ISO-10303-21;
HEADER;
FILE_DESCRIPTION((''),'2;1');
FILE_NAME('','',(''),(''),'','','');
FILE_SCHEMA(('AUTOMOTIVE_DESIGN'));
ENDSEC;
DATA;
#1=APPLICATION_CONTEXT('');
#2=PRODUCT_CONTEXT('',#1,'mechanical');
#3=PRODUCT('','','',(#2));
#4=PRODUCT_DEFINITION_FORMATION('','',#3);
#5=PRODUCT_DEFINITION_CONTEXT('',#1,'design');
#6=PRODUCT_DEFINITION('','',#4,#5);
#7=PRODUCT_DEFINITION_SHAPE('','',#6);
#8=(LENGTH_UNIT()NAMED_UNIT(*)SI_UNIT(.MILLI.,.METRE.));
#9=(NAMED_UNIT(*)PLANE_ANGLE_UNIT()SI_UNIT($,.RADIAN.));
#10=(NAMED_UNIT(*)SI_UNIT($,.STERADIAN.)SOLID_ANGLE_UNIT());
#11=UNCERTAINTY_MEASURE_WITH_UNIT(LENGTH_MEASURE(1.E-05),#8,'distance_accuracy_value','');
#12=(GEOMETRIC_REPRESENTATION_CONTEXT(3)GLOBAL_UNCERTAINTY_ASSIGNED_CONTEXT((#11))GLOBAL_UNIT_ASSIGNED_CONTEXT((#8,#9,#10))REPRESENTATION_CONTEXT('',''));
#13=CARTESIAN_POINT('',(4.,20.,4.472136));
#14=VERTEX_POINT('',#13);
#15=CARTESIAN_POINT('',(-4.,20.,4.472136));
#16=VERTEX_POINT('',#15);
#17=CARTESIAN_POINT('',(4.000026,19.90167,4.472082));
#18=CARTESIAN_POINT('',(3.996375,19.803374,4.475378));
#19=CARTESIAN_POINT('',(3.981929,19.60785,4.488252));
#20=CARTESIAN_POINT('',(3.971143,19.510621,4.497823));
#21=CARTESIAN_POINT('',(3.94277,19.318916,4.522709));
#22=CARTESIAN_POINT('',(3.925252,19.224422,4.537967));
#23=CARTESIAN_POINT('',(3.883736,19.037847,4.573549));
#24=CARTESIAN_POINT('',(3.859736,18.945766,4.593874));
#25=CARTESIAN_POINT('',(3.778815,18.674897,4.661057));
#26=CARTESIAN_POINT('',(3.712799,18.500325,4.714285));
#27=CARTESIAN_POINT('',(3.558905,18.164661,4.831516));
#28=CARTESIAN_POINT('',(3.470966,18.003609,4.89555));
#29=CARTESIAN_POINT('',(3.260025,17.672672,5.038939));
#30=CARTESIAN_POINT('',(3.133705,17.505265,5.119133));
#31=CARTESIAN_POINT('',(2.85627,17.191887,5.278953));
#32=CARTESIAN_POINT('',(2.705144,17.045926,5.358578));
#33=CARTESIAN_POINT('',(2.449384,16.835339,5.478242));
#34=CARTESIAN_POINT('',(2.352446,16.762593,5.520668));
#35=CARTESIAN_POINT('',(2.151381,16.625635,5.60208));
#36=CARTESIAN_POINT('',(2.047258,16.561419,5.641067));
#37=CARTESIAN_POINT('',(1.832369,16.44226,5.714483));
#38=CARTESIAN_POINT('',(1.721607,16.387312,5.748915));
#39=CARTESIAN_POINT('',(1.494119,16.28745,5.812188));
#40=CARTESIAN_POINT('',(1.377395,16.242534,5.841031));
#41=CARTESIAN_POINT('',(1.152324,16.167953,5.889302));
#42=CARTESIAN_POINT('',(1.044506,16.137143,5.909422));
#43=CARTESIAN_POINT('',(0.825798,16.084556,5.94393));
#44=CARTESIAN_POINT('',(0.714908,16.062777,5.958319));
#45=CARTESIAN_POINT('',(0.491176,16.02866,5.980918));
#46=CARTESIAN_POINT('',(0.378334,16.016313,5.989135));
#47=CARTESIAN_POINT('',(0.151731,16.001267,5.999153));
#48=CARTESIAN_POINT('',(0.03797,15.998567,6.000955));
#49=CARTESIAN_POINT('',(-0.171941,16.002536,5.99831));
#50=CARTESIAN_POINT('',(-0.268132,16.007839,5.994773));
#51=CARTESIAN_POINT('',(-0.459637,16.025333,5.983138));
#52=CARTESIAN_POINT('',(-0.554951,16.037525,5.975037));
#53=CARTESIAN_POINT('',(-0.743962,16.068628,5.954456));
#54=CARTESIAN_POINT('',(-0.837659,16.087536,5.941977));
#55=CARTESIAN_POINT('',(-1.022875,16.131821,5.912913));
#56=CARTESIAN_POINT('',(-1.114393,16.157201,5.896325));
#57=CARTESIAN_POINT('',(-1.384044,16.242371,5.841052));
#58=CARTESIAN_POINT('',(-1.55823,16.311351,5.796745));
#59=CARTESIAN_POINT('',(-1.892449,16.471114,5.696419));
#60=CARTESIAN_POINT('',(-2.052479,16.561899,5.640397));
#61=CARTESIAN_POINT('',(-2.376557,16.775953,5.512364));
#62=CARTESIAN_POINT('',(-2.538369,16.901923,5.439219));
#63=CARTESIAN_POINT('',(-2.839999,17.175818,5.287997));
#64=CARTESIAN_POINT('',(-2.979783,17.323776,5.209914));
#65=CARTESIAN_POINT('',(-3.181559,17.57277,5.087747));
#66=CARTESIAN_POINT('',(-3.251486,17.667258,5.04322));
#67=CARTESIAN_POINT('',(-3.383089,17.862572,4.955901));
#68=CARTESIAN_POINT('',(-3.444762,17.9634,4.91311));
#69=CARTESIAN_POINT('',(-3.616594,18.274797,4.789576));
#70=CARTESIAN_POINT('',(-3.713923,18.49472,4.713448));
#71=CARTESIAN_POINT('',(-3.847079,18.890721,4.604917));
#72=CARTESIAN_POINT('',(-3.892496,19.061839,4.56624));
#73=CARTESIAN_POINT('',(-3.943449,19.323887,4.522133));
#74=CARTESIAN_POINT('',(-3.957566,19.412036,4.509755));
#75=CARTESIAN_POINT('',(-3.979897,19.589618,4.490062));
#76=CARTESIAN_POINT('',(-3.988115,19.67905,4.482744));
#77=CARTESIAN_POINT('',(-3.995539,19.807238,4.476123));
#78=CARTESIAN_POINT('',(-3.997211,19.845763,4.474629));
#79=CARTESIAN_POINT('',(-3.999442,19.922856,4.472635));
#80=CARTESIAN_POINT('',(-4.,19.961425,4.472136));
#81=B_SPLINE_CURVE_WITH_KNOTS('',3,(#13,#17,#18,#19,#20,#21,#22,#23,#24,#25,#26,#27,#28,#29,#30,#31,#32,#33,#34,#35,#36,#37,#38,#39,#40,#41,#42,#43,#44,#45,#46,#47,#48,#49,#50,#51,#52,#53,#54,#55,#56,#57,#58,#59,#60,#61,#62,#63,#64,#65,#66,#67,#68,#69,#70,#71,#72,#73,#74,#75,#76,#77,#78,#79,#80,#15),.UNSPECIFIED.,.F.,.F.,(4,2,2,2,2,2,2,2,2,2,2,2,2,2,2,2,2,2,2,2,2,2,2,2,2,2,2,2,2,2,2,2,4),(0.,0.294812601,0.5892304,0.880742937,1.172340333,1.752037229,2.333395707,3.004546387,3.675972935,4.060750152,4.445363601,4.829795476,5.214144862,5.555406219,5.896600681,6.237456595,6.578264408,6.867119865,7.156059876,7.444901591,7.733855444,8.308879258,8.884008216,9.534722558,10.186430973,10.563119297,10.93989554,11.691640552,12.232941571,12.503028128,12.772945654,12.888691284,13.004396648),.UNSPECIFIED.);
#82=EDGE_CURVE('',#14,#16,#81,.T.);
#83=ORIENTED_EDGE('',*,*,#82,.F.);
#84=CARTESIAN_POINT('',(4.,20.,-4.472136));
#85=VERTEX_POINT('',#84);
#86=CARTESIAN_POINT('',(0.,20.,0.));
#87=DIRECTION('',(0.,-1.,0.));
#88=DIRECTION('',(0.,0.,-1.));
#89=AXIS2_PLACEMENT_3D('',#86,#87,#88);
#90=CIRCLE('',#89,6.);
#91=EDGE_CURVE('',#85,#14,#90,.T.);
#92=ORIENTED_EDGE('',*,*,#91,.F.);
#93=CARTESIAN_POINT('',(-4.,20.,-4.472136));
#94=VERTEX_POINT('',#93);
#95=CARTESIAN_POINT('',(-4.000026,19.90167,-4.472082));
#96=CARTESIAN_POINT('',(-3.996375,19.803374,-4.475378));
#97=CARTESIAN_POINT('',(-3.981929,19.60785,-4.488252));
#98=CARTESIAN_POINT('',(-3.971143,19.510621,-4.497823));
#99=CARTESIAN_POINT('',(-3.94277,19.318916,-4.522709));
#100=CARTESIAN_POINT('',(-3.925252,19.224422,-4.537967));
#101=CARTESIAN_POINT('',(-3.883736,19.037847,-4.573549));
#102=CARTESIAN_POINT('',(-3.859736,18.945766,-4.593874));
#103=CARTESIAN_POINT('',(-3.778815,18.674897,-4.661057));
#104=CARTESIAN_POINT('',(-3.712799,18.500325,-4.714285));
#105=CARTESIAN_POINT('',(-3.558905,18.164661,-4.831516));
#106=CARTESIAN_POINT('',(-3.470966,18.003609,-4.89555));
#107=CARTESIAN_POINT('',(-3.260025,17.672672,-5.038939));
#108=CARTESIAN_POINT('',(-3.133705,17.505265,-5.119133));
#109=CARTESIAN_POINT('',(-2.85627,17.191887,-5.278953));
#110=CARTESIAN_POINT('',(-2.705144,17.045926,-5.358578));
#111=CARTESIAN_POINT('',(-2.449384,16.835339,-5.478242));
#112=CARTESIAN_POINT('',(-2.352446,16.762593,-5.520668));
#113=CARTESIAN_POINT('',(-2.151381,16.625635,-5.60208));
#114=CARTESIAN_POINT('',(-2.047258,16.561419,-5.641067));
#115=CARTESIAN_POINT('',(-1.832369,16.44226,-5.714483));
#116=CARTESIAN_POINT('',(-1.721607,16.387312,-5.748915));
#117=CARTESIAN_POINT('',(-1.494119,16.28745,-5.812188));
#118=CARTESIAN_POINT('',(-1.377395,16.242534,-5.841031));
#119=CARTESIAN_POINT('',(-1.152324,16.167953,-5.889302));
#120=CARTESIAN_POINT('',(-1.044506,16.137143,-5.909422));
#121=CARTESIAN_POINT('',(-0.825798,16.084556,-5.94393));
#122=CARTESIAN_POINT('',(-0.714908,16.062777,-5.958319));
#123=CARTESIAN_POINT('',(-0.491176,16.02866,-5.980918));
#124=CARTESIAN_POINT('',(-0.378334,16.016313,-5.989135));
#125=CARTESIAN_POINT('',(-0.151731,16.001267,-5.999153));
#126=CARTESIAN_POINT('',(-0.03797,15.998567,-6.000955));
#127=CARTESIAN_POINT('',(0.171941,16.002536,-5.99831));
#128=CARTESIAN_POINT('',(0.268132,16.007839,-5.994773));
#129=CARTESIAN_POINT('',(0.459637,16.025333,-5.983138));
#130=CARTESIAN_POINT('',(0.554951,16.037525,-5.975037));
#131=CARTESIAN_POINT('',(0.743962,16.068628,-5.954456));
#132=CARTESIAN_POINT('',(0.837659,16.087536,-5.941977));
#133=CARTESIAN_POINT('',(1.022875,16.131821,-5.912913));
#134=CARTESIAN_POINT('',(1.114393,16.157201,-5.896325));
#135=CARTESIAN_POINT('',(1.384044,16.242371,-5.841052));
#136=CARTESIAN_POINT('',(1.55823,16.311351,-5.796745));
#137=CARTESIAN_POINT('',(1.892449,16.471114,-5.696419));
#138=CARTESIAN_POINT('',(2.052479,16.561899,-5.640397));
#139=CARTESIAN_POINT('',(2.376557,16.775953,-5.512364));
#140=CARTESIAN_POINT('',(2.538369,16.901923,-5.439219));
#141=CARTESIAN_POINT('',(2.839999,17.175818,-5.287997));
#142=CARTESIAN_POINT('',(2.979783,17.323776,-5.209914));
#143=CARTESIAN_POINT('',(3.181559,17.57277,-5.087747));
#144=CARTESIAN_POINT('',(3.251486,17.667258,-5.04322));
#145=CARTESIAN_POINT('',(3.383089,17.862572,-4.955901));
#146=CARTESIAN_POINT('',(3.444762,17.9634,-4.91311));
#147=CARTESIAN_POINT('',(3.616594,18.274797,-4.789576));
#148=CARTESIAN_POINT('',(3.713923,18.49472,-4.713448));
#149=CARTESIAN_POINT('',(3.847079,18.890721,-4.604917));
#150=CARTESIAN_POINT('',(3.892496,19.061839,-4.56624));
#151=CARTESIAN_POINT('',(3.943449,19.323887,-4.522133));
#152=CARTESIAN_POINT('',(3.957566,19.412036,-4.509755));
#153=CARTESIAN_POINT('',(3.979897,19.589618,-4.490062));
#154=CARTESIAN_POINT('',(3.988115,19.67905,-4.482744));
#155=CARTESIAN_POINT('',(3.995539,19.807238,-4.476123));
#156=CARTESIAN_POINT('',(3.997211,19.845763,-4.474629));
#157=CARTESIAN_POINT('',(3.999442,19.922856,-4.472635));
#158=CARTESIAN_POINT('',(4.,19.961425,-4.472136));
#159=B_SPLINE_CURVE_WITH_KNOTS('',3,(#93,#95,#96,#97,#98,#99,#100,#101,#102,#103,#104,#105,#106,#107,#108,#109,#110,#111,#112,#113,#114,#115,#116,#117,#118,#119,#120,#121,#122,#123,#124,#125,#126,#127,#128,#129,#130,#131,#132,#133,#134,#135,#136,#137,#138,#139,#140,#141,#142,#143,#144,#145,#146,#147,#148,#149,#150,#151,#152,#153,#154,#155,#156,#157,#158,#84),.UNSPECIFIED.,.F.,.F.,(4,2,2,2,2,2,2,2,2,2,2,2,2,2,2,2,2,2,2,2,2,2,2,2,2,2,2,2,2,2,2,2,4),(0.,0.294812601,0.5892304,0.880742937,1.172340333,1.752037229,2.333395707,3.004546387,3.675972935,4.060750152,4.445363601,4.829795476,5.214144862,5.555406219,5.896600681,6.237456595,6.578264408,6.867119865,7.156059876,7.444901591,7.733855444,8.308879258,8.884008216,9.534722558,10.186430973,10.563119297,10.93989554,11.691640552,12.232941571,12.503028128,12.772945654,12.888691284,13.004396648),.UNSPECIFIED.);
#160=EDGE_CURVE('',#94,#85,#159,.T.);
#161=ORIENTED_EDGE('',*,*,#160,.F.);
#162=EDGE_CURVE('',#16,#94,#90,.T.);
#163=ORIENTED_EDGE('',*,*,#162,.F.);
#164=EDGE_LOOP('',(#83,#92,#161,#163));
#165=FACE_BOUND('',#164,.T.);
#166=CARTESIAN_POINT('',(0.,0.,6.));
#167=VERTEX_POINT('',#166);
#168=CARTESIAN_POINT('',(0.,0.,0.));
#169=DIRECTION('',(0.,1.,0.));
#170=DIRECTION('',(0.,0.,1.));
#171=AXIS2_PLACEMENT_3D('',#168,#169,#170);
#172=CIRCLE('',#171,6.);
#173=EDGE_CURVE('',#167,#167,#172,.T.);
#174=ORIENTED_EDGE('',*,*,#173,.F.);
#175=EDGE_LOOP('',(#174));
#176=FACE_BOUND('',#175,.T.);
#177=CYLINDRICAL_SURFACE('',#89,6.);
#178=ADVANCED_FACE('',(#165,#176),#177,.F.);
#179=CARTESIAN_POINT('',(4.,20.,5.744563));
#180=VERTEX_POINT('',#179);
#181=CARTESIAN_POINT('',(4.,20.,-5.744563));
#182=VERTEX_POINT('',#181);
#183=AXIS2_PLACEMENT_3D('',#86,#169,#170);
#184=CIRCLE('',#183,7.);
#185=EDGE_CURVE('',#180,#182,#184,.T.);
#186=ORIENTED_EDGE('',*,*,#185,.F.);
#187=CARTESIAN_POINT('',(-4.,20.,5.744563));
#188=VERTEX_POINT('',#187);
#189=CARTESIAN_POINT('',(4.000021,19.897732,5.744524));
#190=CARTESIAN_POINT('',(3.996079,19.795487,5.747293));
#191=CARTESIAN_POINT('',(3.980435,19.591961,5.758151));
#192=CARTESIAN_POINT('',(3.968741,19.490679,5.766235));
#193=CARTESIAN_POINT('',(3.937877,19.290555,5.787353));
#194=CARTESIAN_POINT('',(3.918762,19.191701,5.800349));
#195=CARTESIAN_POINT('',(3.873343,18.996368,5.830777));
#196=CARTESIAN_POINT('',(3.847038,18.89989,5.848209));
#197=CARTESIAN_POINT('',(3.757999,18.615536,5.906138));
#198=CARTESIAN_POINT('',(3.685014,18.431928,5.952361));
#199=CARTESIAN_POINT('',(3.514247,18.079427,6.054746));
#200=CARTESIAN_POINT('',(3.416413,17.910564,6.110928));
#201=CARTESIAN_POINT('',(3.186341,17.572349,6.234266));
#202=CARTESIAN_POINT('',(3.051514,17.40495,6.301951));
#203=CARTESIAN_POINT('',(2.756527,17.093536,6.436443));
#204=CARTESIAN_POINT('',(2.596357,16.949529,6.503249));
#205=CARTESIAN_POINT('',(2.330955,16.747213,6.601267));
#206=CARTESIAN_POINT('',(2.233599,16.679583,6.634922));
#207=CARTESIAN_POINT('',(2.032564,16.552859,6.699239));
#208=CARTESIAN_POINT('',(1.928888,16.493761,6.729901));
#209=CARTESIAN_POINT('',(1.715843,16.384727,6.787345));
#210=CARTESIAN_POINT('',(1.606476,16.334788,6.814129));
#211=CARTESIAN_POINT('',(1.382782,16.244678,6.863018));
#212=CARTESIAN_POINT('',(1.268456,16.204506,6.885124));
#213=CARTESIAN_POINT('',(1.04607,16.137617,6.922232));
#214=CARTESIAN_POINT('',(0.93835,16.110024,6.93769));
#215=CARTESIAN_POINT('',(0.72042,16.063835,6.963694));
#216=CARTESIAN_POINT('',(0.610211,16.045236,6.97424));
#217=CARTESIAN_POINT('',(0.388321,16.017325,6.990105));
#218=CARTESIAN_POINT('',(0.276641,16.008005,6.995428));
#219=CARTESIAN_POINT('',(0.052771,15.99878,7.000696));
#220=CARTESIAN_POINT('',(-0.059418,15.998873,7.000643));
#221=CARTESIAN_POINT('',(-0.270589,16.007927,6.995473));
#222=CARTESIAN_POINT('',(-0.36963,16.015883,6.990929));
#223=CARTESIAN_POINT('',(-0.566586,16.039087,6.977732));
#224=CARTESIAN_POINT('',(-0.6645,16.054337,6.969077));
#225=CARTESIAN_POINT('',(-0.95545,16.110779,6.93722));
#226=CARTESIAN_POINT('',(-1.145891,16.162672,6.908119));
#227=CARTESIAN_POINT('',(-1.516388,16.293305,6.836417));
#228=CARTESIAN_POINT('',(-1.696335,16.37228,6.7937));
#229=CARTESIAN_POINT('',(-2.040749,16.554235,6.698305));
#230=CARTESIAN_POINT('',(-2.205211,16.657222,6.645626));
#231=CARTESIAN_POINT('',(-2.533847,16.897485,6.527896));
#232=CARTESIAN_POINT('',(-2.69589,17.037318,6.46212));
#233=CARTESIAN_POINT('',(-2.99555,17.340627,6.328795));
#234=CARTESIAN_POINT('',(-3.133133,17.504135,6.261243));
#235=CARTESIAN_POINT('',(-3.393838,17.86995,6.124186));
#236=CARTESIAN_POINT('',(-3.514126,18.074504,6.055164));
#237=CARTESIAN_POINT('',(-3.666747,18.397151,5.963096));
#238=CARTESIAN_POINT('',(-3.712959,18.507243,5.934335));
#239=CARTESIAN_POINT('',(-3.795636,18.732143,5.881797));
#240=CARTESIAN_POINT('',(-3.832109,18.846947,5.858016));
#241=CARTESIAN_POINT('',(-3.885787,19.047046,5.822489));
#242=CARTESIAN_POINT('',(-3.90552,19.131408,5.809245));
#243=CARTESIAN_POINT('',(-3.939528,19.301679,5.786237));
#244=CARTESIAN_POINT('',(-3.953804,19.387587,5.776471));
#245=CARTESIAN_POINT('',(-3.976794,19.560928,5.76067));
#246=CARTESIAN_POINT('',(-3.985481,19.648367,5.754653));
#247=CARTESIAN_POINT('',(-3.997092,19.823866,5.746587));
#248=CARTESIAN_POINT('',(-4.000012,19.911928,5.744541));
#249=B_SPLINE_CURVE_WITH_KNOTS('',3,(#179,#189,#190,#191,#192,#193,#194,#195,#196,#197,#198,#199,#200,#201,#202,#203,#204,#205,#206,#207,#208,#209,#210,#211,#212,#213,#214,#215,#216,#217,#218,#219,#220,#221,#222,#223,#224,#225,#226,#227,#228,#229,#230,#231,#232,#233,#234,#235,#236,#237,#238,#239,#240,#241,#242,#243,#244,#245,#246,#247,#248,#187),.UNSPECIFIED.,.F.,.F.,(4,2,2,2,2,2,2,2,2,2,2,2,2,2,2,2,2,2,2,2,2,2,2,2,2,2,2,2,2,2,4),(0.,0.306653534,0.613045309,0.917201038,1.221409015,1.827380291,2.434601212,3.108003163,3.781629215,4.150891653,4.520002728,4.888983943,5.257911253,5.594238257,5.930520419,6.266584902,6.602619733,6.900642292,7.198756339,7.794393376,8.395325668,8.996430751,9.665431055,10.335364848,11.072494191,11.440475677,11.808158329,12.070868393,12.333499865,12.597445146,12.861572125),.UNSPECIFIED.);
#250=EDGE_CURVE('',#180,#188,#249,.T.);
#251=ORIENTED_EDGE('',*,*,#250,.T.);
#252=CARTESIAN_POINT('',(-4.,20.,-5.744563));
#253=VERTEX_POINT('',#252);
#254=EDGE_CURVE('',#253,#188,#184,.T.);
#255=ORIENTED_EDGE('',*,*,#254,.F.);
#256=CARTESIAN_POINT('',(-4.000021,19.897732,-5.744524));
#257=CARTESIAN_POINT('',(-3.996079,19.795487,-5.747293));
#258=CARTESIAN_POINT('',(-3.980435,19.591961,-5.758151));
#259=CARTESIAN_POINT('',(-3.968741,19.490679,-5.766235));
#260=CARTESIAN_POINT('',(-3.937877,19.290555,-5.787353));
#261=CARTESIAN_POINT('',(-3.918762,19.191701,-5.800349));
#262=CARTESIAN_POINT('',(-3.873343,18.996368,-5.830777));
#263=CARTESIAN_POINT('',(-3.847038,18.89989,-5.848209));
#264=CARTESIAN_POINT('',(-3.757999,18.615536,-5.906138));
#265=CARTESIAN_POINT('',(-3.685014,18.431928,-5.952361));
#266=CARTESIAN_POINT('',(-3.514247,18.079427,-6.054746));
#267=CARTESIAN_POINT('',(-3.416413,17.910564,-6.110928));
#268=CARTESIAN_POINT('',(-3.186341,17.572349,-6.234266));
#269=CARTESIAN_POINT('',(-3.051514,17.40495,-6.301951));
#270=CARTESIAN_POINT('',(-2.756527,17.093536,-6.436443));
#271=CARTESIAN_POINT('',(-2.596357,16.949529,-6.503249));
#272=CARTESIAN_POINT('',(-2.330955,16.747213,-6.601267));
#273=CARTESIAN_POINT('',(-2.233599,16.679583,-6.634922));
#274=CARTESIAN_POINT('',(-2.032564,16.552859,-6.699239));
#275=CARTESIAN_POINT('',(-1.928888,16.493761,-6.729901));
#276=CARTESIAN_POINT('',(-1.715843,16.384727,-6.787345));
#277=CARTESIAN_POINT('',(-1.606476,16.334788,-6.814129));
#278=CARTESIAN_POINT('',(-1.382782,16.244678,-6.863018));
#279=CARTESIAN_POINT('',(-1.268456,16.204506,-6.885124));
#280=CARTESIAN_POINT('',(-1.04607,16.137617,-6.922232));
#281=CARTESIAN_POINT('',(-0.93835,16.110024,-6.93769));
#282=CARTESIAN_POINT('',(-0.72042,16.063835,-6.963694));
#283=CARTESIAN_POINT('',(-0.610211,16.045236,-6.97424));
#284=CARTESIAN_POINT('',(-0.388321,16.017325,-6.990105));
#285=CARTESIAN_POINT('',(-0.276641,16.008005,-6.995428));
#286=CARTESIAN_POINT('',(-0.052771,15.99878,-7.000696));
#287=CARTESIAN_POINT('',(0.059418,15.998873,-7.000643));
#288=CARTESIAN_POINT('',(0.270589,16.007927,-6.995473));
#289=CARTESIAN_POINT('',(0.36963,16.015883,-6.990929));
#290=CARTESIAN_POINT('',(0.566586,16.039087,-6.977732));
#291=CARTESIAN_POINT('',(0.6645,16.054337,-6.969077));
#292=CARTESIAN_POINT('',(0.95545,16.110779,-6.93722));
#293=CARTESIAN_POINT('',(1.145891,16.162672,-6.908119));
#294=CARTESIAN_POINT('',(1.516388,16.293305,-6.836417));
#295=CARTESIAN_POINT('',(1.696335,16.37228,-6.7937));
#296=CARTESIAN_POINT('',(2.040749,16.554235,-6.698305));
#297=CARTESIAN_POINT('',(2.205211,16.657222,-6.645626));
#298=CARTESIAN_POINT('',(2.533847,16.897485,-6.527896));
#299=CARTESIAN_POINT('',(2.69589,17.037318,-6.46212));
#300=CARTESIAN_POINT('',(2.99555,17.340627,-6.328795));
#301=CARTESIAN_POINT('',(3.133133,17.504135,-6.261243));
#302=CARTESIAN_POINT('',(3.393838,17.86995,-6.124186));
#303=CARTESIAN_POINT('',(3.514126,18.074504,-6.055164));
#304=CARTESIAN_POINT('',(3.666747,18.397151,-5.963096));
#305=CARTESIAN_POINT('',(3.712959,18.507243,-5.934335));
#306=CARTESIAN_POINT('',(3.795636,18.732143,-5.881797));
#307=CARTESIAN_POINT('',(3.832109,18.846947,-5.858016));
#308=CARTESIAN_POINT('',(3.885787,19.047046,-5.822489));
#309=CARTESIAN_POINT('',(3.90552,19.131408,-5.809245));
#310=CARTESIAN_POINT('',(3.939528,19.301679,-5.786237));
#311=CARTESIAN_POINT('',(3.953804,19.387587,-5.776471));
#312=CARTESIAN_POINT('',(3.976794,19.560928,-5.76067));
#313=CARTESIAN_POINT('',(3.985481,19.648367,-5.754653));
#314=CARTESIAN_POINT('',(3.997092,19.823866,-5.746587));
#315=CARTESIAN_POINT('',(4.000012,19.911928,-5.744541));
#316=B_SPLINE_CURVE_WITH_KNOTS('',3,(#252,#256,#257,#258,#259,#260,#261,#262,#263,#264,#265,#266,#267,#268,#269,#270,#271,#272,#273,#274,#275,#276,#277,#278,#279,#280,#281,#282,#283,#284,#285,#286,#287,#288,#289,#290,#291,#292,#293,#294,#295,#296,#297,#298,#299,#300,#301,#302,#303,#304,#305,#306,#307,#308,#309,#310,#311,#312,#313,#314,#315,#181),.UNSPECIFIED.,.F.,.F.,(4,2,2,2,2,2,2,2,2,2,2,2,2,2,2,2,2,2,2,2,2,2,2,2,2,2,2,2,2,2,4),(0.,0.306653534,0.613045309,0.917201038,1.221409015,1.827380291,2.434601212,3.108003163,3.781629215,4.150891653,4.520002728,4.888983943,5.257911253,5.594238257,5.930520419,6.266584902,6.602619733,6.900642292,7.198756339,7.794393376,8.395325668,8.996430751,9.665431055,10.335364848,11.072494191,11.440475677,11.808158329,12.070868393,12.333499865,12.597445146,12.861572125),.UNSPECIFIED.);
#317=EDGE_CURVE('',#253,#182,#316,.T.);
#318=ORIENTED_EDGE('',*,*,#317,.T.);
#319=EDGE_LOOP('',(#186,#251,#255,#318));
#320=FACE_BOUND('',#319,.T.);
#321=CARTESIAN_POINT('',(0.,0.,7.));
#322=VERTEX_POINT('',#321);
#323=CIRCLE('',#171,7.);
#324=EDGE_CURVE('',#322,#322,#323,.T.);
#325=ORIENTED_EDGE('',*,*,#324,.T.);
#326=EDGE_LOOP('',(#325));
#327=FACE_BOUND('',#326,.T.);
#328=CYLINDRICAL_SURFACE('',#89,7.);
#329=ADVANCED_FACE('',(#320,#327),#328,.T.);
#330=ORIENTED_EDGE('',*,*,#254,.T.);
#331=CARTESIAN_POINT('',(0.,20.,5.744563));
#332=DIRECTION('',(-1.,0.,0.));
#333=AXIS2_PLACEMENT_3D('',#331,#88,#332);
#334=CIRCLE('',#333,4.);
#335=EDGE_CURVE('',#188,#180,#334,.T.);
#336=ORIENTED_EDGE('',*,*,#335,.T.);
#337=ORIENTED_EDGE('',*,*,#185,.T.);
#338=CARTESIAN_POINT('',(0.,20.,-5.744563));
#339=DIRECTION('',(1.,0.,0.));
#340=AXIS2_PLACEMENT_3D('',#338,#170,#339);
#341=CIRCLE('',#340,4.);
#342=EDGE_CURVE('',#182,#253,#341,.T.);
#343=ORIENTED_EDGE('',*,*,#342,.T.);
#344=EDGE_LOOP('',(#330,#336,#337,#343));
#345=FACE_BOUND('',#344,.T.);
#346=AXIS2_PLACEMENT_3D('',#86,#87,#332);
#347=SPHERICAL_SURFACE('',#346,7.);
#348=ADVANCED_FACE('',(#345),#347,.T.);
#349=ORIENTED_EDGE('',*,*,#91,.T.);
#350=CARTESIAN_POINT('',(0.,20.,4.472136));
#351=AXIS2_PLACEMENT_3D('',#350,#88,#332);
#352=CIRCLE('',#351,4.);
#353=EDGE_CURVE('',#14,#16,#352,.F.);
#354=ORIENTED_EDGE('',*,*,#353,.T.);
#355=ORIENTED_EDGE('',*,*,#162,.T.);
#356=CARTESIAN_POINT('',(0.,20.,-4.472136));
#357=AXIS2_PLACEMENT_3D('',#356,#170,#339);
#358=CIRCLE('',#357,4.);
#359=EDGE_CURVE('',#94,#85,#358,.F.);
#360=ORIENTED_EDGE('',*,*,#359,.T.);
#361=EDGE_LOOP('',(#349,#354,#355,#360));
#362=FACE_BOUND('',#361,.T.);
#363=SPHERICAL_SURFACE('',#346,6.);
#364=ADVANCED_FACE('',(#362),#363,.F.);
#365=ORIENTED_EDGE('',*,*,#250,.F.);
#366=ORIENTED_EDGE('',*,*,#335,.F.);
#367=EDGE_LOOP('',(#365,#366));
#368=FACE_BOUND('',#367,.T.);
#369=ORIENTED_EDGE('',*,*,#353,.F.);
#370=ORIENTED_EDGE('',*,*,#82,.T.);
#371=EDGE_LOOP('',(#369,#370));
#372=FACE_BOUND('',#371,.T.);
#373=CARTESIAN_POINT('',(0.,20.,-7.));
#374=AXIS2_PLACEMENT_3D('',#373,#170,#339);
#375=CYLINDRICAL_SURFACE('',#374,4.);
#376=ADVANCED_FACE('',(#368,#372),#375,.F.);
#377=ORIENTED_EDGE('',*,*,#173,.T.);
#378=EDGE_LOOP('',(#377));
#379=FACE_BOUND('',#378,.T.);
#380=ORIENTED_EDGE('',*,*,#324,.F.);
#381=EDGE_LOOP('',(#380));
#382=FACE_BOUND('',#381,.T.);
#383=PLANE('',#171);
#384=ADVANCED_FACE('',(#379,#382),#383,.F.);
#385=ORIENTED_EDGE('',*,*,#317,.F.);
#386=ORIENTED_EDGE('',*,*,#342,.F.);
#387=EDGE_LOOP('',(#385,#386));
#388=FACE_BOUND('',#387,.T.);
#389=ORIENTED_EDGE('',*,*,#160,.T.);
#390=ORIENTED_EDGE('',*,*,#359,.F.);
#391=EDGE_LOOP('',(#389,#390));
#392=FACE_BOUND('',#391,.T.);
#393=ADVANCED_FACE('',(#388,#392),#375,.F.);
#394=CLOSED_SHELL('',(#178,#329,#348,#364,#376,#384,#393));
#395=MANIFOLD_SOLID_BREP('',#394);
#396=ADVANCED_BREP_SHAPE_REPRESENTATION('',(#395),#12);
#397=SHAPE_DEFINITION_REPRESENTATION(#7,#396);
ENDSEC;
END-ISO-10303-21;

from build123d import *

# Parameters (mm, degrees)
SKETCH_1_R               = 7
SKETCH_1_R_2             = 6
EXTRUDE_1_DEPTH          = 20
CUT_EXTRUDE_1_DEPTH      = 29.757607689
CUT_EXTRUDE_1_DEPTH_BACK = 29.757607689
SKETCH_3_R               = 4


with BuildPart() as part:
    # 草图1 → 凸台-拉伸1 (new body)
    with BuildSketch(Plane(origin=(0, 0, 0), x_dir=(1, 0, 0), z_dir=(0, 1, 0))):
        with Locations(Location((0, 0, 0), (0, 0, 270))):
            Circle(SKETCH_1_R)
        with Locations(Location((0, 0, 0), (0, 0, 270))):
            Circle(SKETCH_1_R_2, mode=Mode.SUBTRACT)
    extrude(amount=EXTRUDE_1_DEPTH)

    # 草图2 → 旋转1 (revolve)
    with BuildSketch(Plane.XY):
        with BuildLine():
            Line((-7, 20), (-6, 20))
            ThreePointArc((-6, 20), (-4.242640687, 24.242640687), (0, 26))
            Line((0, 26), (0, 27))
            ThreePointArc((0, 27), (-4.949747468, 24.949747468), (-7, 20))
        make_face()
    revolve(axis=Axis((0, 20, 0), (0, 1, 0)))

    # 草图3 → 切除-拉伸1 (cut, two sides: drawn at the far end of the back side and taken through both)
    with BuildSketch(Plane.XY.offset(-CUT_EXTRUDE_1_DEPTH_BACK)):
        with Locations((0, 20)):
            Circle(SKETCH_3_R)
    extrude(amount=CUT_EXTRUDE_1_DEPTH + CUT_EXTRUDE_1_DEPTH_BACK, mode=Mode.SUBTRACT)


solid = part.part
